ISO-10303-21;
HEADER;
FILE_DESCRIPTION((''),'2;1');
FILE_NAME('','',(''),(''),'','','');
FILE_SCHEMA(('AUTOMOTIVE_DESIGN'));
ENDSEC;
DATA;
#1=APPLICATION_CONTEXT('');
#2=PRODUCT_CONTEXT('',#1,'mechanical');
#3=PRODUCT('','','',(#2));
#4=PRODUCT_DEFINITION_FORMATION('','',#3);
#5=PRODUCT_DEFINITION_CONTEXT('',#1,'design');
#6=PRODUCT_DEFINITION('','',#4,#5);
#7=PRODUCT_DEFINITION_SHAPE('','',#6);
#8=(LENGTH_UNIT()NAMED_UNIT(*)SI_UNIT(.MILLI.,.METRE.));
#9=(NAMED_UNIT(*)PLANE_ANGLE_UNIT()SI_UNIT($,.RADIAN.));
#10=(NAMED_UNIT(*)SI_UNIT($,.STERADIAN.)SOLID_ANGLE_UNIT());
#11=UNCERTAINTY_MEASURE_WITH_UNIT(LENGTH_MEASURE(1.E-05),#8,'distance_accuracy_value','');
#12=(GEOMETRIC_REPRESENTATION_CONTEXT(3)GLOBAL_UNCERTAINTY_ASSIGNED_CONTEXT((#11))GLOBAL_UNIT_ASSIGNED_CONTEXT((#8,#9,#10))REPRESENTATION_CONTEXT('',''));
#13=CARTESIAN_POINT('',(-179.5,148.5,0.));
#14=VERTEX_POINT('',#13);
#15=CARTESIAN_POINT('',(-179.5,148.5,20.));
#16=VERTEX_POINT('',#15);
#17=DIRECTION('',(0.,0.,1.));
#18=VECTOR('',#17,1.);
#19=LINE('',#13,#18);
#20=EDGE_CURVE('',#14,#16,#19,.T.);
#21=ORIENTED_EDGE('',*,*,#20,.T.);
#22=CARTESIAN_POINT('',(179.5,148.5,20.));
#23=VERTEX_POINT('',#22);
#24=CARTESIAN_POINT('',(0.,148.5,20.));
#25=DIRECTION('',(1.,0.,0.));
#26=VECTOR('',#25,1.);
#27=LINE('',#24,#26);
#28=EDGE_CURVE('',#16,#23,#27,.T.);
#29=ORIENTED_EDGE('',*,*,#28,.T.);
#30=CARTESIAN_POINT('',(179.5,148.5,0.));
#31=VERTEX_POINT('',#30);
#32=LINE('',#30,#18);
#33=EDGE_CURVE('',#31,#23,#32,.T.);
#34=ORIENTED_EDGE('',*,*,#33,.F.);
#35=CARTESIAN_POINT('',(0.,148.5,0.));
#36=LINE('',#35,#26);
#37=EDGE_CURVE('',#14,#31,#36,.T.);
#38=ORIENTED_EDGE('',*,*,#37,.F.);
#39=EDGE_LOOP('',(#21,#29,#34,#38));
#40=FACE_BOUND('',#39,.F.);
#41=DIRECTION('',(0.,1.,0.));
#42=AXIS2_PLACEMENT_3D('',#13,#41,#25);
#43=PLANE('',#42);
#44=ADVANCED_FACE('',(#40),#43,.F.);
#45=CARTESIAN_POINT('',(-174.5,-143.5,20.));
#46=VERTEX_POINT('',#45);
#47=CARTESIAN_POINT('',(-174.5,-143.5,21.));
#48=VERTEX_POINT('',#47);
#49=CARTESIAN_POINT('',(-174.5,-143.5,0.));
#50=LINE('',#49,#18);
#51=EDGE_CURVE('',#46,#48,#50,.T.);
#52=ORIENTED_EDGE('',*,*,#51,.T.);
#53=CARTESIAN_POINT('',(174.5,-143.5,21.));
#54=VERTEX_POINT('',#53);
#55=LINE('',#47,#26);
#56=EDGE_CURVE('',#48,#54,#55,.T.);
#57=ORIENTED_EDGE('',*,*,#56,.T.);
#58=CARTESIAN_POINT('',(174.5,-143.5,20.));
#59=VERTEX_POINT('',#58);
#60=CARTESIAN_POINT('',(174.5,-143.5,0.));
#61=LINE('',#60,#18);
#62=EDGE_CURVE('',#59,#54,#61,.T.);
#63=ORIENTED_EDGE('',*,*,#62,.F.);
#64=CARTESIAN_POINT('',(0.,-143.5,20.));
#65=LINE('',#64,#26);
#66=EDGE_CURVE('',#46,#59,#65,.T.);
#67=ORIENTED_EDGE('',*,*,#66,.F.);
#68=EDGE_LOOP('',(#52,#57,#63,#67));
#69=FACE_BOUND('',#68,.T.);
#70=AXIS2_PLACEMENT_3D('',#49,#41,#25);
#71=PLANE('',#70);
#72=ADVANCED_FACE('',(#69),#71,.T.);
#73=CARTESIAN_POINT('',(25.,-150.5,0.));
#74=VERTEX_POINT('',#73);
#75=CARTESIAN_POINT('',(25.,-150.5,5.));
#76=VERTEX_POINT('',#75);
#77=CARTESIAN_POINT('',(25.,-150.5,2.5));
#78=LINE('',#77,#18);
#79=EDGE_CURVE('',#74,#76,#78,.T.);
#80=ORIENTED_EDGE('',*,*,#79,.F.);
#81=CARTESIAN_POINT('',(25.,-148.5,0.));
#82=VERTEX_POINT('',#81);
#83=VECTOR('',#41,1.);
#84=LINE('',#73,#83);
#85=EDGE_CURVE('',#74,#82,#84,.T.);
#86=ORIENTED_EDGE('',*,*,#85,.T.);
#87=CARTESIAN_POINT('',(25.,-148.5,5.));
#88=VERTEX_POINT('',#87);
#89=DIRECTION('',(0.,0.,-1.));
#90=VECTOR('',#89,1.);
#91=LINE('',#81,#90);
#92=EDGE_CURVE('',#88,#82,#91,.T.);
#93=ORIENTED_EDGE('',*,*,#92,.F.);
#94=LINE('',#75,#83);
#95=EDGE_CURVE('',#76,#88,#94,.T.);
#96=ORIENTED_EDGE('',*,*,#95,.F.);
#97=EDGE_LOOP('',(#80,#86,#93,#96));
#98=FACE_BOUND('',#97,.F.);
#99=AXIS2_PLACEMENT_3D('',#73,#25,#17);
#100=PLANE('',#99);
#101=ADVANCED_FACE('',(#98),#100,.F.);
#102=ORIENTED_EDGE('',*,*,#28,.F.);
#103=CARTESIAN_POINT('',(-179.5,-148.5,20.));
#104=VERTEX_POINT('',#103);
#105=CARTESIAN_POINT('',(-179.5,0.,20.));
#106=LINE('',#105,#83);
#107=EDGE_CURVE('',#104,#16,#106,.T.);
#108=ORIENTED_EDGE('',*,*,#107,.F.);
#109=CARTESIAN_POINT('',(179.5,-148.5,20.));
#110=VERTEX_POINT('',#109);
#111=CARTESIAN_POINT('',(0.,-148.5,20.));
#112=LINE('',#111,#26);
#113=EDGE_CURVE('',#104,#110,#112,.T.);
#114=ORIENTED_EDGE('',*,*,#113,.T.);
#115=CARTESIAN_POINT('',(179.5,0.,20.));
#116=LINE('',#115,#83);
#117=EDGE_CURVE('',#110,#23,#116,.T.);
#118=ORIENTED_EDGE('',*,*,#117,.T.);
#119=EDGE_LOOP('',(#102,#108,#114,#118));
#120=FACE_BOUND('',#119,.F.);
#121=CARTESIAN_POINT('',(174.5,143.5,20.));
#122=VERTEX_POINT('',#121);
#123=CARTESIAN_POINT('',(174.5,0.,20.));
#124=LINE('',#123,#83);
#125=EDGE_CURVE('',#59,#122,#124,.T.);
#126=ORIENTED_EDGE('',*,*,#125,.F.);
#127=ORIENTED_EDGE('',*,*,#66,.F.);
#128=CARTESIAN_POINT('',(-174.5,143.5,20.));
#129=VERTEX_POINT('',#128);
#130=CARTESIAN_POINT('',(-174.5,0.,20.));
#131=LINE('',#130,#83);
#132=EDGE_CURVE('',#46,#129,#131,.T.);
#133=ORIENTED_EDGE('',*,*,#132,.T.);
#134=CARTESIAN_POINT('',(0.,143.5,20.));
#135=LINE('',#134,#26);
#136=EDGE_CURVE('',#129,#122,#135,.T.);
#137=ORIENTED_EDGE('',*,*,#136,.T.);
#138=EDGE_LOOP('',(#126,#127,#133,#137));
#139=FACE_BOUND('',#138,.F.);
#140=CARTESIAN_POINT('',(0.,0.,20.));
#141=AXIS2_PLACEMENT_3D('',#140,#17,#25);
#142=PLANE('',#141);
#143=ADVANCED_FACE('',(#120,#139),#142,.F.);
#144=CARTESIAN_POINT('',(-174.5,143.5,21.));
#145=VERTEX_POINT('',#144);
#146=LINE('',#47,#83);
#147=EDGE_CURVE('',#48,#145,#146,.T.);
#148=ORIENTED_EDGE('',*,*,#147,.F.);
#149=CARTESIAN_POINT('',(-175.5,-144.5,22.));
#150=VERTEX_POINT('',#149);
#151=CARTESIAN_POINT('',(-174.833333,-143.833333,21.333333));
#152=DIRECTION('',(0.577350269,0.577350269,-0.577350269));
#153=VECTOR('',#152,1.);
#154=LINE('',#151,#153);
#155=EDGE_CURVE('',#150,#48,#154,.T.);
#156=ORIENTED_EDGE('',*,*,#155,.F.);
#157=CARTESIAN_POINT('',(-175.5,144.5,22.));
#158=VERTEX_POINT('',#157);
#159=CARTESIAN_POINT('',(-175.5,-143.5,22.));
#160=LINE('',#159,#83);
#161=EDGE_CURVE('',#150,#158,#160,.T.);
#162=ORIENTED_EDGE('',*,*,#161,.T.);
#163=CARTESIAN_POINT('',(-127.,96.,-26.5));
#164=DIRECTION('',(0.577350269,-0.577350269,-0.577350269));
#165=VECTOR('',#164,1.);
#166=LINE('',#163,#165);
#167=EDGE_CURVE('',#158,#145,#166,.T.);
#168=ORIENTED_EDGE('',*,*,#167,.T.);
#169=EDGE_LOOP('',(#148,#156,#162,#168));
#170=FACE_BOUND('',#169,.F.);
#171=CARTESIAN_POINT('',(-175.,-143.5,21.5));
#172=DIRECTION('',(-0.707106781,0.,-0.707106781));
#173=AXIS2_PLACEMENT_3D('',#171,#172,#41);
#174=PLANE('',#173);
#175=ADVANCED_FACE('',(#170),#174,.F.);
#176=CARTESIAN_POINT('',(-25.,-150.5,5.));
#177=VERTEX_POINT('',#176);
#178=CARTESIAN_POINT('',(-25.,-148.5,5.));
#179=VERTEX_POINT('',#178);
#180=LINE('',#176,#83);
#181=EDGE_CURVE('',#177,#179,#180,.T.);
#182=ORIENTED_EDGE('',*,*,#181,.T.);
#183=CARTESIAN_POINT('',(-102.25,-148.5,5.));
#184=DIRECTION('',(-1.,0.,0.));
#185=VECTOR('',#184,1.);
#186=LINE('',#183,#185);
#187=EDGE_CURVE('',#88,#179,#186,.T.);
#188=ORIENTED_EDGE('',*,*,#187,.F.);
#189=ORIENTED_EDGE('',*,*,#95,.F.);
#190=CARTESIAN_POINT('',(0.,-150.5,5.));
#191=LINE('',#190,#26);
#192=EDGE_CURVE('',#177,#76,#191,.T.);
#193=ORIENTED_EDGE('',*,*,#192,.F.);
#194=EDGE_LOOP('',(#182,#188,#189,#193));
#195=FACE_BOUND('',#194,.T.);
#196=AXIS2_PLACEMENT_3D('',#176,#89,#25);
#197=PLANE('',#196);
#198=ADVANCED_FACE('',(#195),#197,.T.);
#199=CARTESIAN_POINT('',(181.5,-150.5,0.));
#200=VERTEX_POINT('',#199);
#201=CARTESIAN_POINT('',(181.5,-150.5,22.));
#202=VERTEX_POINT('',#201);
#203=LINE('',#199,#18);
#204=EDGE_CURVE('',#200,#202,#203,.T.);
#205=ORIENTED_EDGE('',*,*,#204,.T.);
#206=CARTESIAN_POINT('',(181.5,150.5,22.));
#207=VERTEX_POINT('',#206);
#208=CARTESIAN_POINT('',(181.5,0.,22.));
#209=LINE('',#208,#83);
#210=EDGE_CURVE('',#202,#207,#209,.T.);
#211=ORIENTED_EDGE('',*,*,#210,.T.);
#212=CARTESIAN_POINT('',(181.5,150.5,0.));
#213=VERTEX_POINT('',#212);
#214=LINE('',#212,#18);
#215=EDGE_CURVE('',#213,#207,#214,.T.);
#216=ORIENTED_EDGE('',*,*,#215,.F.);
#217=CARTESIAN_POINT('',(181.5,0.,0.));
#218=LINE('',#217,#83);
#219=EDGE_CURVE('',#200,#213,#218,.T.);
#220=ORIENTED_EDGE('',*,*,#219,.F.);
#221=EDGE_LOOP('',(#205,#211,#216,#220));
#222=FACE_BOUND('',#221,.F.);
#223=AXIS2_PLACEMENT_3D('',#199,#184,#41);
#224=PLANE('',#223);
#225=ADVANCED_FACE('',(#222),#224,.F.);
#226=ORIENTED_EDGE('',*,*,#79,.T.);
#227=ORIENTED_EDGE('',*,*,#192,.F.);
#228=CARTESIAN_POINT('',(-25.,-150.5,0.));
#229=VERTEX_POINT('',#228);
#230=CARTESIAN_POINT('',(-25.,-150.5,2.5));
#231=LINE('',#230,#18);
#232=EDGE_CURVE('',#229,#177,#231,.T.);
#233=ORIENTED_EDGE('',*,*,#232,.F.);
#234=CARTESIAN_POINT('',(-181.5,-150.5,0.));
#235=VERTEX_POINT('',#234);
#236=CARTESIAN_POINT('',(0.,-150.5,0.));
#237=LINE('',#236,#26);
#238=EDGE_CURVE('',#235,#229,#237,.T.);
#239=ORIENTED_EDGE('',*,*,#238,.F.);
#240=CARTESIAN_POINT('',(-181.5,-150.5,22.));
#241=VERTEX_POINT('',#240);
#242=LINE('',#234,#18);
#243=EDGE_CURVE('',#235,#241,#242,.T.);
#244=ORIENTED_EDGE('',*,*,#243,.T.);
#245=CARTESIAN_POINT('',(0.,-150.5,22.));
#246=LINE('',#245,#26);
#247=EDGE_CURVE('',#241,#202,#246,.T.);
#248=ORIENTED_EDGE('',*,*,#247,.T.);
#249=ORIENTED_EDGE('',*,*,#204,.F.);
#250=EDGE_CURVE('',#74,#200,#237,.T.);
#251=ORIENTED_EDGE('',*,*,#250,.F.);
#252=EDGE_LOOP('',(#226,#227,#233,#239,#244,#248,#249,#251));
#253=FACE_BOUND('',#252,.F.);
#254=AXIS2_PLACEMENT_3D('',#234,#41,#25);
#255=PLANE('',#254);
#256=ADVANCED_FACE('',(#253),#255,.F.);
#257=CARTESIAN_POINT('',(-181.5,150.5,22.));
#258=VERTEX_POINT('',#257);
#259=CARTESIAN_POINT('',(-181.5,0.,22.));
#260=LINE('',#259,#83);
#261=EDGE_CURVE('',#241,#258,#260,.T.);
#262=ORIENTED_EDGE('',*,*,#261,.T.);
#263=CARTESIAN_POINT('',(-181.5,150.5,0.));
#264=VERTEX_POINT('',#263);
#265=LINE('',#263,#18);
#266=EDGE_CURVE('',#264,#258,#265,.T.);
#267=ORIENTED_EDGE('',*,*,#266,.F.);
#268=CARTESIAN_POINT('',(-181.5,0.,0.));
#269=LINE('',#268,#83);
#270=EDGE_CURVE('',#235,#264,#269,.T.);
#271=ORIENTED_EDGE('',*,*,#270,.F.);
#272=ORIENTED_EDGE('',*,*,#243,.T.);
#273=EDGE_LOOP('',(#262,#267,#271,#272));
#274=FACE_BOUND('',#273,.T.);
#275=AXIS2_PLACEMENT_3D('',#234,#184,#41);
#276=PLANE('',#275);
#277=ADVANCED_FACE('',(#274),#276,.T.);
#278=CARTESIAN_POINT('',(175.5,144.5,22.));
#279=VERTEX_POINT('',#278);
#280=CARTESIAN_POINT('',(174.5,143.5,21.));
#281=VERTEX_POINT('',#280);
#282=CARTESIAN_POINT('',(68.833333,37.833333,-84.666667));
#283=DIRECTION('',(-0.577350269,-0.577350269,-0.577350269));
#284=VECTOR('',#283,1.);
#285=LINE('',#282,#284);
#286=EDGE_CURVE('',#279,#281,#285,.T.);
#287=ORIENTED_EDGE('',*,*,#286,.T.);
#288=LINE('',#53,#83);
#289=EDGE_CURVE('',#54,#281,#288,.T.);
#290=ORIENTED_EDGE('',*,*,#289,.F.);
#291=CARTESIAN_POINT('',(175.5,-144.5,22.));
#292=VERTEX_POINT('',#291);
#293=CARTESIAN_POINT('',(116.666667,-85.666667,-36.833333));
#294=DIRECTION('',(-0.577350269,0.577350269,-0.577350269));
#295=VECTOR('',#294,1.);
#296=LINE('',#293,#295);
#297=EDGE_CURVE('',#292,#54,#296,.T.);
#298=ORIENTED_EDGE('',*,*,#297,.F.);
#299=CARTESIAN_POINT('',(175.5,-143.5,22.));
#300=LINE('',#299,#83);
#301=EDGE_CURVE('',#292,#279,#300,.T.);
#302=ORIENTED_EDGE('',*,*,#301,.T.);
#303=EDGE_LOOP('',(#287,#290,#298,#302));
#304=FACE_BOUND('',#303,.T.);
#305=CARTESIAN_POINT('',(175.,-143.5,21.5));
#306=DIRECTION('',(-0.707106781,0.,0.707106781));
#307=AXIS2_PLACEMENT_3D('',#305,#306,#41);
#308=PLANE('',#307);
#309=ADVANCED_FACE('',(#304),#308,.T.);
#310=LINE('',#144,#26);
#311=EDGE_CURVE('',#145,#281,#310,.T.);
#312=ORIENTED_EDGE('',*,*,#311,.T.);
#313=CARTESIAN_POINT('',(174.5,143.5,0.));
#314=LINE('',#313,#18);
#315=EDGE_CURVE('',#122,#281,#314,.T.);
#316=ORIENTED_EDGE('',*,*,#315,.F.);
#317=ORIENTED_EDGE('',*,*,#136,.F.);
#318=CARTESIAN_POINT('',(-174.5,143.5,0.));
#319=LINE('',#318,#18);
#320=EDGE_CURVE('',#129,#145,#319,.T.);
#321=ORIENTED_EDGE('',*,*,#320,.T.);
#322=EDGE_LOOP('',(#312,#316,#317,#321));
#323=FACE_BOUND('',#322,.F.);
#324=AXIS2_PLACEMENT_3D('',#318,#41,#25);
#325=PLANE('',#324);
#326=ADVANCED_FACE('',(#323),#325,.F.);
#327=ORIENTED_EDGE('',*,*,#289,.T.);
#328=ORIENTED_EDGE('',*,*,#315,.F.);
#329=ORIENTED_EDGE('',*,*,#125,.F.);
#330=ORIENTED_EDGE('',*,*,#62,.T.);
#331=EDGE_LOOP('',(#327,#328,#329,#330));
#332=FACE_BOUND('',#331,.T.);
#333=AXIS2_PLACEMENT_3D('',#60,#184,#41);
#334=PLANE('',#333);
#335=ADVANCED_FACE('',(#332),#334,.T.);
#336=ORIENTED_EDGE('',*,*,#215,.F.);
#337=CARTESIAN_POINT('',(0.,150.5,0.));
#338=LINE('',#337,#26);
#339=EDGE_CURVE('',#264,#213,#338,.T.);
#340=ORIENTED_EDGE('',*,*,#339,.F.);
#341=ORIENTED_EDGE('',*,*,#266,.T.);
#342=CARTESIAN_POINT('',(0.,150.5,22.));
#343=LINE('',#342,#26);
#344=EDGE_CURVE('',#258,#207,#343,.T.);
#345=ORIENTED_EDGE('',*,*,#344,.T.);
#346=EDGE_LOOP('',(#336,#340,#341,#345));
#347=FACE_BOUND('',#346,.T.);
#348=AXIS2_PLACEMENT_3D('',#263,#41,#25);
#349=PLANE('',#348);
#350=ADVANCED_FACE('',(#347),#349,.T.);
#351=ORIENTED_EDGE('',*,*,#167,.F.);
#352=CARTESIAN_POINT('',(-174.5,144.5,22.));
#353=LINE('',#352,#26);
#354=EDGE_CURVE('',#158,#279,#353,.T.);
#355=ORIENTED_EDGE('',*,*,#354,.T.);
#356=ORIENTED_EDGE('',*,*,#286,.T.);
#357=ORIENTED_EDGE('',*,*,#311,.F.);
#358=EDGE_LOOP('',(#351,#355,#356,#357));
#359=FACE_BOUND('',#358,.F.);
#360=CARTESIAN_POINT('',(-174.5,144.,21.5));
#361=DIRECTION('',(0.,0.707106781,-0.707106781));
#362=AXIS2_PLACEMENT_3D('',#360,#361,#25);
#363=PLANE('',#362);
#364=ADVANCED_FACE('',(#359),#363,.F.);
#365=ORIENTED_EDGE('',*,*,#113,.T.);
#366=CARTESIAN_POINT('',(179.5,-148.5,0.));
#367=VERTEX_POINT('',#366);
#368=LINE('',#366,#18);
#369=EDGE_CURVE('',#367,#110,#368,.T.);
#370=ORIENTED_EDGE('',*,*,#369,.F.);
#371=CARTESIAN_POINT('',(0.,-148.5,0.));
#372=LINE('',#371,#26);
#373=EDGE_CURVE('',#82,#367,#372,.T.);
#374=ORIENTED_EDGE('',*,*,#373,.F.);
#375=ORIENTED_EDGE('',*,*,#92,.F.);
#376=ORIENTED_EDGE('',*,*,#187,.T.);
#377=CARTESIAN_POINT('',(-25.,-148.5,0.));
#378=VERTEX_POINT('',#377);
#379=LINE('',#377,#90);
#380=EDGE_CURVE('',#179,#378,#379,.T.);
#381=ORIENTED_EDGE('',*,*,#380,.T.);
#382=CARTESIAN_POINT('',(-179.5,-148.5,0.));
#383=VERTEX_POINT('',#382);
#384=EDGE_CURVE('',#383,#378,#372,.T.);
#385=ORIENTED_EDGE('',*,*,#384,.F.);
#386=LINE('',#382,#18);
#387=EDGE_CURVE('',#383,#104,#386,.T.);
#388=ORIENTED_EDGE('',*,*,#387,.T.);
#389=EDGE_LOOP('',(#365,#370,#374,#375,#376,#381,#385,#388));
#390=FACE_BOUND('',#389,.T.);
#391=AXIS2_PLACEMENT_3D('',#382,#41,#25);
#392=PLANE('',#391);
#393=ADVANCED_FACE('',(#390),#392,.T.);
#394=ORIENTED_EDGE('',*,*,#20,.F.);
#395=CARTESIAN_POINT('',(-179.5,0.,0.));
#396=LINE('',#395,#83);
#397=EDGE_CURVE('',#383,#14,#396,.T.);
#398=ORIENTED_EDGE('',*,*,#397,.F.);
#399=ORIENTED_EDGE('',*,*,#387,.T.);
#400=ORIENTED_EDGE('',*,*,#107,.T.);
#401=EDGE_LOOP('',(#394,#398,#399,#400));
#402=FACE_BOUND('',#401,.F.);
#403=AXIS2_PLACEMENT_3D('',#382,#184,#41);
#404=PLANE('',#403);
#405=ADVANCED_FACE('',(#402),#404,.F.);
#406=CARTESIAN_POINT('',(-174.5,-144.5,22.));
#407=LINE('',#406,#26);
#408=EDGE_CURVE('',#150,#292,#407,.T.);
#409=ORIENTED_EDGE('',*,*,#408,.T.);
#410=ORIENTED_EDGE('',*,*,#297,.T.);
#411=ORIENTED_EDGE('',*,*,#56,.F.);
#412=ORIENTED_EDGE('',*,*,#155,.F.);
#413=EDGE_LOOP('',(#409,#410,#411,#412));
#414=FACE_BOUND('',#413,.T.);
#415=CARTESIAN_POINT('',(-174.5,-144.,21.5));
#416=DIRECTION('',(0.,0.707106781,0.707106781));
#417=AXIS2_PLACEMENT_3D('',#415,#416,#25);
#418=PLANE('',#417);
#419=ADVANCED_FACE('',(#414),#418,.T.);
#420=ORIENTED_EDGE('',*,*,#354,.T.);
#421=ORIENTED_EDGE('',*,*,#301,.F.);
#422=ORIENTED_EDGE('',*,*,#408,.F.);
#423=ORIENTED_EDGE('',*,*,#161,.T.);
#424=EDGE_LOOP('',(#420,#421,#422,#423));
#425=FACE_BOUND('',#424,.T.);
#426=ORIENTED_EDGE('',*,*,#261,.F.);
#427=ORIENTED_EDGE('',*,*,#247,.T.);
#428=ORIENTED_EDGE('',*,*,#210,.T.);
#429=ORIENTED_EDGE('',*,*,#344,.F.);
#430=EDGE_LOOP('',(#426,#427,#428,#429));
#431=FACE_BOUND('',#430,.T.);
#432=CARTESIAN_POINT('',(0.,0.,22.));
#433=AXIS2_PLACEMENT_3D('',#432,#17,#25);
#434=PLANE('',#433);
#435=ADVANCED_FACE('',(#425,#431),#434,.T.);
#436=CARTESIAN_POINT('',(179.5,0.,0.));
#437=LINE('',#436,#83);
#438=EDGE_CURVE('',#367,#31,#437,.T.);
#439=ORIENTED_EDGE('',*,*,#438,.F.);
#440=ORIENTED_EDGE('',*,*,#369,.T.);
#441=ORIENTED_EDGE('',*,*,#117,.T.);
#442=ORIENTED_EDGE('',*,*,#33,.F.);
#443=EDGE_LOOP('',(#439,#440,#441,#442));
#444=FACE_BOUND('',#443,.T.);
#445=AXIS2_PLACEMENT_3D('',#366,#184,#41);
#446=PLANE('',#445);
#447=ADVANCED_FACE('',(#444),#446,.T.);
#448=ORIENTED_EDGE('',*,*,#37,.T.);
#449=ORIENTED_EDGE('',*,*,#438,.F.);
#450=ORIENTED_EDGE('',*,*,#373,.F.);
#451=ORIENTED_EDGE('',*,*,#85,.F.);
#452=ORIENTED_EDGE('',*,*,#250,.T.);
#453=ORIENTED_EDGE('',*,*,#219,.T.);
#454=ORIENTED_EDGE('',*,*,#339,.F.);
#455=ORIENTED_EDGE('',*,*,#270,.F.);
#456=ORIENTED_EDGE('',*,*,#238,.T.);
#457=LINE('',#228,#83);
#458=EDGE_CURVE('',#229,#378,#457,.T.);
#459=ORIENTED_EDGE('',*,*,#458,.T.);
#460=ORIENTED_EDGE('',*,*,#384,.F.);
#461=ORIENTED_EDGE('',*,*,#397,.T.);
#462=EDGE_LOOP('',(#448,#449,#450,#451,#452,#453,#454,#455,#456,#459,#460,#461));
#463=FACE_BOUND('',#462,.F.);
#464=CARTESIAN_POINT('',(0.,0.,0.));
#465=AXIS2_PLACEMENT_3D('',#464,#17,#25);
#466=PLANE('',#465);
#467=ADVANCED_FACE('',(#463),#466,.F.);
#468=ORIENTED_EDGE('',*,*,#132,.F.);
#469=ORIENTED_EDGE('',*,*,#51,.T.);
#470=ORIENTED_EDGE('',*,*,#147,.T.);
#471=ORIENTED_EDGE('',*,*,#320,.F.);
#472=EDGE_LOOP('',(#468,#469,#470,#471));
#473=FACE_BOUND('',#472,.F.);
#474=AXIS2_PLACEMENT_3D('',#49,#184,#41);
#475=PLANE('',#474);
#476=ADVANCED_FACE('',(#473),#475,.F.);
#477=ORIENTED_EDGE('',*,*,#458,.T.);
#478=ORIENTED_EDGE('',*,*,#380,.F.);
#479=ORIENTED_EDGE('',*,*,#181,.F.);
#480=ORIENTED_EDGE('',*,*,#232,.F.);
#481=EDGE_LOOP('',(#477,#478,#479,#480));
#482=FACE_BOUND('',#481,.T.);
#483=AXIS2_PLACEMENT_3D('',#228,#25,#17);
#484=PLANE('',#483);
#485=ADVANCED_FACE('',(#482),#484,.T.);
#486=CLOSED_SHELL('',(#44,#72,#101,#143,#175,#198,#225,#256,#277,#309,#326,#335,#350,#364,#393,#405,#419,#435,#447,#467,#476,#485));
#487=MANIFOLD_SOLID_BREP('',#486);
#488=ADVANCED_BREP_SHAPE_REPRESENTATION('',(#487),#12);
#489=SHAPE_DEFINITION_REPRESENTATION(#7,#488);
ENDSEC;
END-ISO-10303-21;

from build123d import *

# Parameters (mm, degrees)
F0_W     = 363
F0_H     = 301
F0_W_2   = 359
F0_H_2   = 297
F0_W_3   = 349
F0_H_3   = 287
F1_DEPTH = 22
F2_DEPTH = 25
F3_DEPTH = 20
F4_SIZE  = 1
F5_W     = 50
F5_H     = 5
F6_DEPTH = 25


with BuildPart() as f1:
    # F0 (on Top) → F1 (new body)
    with BuildSketch(Plane.XY):
        Rectangle(F0_W, F0_H)
        Rectangle(F0_W_2, F0_H_2, mode=Mode.SUBTRACT)
        Rectangle(F0_W_3, F0_H_3)
        Rectangle(F0_W_2, F0_H_2)
        Rectangle(F0_W_3, F0_H_3, mode=Mode.SUBTRACT)
    extrude(amount=F1_DEPTH)

    # F0 (on Top) → F2 (cut)
    with BuildSketch(Plane.XY):
        Rectangle(F0_W_3, F0_H_3)
    extrude(amount=F2_DEPTH, mode=Mode.SUBTRACT)

    # F0 (on Top) → F3 (cut)
    with BuildSketch(Plane.XY):
        Rectangle(F0_W_2, F0_H_2)
        Rectangle(F0_W_3, F0_H_3, mode=Mode.SUBTRACT)
    extrude(amount=F3_DEPTH, mode=Mode.SUBTRACT)

    # F4
    f4_edges = [f1.edges().sort_by_distance(p)[0] for p in [
        (0, -143.5, 22),
        (-174.5, 0, 22),
        (0, 143.5, 22),
        (174.5, 0, 22),
    ]]
    chamfer(f4_edges, length=F4_SIZE)

    # F5 (on face) → F6 (cut)
    with BuildSketch(Plane.XZ.offset(150.5)):
        with Locations((0, 2.5)):
            Rectangle(F5_W, F5_H)
    extrude(amount=-F6_DEPTH, mode=Mode.SUBTRACT)


solid = f1.part
